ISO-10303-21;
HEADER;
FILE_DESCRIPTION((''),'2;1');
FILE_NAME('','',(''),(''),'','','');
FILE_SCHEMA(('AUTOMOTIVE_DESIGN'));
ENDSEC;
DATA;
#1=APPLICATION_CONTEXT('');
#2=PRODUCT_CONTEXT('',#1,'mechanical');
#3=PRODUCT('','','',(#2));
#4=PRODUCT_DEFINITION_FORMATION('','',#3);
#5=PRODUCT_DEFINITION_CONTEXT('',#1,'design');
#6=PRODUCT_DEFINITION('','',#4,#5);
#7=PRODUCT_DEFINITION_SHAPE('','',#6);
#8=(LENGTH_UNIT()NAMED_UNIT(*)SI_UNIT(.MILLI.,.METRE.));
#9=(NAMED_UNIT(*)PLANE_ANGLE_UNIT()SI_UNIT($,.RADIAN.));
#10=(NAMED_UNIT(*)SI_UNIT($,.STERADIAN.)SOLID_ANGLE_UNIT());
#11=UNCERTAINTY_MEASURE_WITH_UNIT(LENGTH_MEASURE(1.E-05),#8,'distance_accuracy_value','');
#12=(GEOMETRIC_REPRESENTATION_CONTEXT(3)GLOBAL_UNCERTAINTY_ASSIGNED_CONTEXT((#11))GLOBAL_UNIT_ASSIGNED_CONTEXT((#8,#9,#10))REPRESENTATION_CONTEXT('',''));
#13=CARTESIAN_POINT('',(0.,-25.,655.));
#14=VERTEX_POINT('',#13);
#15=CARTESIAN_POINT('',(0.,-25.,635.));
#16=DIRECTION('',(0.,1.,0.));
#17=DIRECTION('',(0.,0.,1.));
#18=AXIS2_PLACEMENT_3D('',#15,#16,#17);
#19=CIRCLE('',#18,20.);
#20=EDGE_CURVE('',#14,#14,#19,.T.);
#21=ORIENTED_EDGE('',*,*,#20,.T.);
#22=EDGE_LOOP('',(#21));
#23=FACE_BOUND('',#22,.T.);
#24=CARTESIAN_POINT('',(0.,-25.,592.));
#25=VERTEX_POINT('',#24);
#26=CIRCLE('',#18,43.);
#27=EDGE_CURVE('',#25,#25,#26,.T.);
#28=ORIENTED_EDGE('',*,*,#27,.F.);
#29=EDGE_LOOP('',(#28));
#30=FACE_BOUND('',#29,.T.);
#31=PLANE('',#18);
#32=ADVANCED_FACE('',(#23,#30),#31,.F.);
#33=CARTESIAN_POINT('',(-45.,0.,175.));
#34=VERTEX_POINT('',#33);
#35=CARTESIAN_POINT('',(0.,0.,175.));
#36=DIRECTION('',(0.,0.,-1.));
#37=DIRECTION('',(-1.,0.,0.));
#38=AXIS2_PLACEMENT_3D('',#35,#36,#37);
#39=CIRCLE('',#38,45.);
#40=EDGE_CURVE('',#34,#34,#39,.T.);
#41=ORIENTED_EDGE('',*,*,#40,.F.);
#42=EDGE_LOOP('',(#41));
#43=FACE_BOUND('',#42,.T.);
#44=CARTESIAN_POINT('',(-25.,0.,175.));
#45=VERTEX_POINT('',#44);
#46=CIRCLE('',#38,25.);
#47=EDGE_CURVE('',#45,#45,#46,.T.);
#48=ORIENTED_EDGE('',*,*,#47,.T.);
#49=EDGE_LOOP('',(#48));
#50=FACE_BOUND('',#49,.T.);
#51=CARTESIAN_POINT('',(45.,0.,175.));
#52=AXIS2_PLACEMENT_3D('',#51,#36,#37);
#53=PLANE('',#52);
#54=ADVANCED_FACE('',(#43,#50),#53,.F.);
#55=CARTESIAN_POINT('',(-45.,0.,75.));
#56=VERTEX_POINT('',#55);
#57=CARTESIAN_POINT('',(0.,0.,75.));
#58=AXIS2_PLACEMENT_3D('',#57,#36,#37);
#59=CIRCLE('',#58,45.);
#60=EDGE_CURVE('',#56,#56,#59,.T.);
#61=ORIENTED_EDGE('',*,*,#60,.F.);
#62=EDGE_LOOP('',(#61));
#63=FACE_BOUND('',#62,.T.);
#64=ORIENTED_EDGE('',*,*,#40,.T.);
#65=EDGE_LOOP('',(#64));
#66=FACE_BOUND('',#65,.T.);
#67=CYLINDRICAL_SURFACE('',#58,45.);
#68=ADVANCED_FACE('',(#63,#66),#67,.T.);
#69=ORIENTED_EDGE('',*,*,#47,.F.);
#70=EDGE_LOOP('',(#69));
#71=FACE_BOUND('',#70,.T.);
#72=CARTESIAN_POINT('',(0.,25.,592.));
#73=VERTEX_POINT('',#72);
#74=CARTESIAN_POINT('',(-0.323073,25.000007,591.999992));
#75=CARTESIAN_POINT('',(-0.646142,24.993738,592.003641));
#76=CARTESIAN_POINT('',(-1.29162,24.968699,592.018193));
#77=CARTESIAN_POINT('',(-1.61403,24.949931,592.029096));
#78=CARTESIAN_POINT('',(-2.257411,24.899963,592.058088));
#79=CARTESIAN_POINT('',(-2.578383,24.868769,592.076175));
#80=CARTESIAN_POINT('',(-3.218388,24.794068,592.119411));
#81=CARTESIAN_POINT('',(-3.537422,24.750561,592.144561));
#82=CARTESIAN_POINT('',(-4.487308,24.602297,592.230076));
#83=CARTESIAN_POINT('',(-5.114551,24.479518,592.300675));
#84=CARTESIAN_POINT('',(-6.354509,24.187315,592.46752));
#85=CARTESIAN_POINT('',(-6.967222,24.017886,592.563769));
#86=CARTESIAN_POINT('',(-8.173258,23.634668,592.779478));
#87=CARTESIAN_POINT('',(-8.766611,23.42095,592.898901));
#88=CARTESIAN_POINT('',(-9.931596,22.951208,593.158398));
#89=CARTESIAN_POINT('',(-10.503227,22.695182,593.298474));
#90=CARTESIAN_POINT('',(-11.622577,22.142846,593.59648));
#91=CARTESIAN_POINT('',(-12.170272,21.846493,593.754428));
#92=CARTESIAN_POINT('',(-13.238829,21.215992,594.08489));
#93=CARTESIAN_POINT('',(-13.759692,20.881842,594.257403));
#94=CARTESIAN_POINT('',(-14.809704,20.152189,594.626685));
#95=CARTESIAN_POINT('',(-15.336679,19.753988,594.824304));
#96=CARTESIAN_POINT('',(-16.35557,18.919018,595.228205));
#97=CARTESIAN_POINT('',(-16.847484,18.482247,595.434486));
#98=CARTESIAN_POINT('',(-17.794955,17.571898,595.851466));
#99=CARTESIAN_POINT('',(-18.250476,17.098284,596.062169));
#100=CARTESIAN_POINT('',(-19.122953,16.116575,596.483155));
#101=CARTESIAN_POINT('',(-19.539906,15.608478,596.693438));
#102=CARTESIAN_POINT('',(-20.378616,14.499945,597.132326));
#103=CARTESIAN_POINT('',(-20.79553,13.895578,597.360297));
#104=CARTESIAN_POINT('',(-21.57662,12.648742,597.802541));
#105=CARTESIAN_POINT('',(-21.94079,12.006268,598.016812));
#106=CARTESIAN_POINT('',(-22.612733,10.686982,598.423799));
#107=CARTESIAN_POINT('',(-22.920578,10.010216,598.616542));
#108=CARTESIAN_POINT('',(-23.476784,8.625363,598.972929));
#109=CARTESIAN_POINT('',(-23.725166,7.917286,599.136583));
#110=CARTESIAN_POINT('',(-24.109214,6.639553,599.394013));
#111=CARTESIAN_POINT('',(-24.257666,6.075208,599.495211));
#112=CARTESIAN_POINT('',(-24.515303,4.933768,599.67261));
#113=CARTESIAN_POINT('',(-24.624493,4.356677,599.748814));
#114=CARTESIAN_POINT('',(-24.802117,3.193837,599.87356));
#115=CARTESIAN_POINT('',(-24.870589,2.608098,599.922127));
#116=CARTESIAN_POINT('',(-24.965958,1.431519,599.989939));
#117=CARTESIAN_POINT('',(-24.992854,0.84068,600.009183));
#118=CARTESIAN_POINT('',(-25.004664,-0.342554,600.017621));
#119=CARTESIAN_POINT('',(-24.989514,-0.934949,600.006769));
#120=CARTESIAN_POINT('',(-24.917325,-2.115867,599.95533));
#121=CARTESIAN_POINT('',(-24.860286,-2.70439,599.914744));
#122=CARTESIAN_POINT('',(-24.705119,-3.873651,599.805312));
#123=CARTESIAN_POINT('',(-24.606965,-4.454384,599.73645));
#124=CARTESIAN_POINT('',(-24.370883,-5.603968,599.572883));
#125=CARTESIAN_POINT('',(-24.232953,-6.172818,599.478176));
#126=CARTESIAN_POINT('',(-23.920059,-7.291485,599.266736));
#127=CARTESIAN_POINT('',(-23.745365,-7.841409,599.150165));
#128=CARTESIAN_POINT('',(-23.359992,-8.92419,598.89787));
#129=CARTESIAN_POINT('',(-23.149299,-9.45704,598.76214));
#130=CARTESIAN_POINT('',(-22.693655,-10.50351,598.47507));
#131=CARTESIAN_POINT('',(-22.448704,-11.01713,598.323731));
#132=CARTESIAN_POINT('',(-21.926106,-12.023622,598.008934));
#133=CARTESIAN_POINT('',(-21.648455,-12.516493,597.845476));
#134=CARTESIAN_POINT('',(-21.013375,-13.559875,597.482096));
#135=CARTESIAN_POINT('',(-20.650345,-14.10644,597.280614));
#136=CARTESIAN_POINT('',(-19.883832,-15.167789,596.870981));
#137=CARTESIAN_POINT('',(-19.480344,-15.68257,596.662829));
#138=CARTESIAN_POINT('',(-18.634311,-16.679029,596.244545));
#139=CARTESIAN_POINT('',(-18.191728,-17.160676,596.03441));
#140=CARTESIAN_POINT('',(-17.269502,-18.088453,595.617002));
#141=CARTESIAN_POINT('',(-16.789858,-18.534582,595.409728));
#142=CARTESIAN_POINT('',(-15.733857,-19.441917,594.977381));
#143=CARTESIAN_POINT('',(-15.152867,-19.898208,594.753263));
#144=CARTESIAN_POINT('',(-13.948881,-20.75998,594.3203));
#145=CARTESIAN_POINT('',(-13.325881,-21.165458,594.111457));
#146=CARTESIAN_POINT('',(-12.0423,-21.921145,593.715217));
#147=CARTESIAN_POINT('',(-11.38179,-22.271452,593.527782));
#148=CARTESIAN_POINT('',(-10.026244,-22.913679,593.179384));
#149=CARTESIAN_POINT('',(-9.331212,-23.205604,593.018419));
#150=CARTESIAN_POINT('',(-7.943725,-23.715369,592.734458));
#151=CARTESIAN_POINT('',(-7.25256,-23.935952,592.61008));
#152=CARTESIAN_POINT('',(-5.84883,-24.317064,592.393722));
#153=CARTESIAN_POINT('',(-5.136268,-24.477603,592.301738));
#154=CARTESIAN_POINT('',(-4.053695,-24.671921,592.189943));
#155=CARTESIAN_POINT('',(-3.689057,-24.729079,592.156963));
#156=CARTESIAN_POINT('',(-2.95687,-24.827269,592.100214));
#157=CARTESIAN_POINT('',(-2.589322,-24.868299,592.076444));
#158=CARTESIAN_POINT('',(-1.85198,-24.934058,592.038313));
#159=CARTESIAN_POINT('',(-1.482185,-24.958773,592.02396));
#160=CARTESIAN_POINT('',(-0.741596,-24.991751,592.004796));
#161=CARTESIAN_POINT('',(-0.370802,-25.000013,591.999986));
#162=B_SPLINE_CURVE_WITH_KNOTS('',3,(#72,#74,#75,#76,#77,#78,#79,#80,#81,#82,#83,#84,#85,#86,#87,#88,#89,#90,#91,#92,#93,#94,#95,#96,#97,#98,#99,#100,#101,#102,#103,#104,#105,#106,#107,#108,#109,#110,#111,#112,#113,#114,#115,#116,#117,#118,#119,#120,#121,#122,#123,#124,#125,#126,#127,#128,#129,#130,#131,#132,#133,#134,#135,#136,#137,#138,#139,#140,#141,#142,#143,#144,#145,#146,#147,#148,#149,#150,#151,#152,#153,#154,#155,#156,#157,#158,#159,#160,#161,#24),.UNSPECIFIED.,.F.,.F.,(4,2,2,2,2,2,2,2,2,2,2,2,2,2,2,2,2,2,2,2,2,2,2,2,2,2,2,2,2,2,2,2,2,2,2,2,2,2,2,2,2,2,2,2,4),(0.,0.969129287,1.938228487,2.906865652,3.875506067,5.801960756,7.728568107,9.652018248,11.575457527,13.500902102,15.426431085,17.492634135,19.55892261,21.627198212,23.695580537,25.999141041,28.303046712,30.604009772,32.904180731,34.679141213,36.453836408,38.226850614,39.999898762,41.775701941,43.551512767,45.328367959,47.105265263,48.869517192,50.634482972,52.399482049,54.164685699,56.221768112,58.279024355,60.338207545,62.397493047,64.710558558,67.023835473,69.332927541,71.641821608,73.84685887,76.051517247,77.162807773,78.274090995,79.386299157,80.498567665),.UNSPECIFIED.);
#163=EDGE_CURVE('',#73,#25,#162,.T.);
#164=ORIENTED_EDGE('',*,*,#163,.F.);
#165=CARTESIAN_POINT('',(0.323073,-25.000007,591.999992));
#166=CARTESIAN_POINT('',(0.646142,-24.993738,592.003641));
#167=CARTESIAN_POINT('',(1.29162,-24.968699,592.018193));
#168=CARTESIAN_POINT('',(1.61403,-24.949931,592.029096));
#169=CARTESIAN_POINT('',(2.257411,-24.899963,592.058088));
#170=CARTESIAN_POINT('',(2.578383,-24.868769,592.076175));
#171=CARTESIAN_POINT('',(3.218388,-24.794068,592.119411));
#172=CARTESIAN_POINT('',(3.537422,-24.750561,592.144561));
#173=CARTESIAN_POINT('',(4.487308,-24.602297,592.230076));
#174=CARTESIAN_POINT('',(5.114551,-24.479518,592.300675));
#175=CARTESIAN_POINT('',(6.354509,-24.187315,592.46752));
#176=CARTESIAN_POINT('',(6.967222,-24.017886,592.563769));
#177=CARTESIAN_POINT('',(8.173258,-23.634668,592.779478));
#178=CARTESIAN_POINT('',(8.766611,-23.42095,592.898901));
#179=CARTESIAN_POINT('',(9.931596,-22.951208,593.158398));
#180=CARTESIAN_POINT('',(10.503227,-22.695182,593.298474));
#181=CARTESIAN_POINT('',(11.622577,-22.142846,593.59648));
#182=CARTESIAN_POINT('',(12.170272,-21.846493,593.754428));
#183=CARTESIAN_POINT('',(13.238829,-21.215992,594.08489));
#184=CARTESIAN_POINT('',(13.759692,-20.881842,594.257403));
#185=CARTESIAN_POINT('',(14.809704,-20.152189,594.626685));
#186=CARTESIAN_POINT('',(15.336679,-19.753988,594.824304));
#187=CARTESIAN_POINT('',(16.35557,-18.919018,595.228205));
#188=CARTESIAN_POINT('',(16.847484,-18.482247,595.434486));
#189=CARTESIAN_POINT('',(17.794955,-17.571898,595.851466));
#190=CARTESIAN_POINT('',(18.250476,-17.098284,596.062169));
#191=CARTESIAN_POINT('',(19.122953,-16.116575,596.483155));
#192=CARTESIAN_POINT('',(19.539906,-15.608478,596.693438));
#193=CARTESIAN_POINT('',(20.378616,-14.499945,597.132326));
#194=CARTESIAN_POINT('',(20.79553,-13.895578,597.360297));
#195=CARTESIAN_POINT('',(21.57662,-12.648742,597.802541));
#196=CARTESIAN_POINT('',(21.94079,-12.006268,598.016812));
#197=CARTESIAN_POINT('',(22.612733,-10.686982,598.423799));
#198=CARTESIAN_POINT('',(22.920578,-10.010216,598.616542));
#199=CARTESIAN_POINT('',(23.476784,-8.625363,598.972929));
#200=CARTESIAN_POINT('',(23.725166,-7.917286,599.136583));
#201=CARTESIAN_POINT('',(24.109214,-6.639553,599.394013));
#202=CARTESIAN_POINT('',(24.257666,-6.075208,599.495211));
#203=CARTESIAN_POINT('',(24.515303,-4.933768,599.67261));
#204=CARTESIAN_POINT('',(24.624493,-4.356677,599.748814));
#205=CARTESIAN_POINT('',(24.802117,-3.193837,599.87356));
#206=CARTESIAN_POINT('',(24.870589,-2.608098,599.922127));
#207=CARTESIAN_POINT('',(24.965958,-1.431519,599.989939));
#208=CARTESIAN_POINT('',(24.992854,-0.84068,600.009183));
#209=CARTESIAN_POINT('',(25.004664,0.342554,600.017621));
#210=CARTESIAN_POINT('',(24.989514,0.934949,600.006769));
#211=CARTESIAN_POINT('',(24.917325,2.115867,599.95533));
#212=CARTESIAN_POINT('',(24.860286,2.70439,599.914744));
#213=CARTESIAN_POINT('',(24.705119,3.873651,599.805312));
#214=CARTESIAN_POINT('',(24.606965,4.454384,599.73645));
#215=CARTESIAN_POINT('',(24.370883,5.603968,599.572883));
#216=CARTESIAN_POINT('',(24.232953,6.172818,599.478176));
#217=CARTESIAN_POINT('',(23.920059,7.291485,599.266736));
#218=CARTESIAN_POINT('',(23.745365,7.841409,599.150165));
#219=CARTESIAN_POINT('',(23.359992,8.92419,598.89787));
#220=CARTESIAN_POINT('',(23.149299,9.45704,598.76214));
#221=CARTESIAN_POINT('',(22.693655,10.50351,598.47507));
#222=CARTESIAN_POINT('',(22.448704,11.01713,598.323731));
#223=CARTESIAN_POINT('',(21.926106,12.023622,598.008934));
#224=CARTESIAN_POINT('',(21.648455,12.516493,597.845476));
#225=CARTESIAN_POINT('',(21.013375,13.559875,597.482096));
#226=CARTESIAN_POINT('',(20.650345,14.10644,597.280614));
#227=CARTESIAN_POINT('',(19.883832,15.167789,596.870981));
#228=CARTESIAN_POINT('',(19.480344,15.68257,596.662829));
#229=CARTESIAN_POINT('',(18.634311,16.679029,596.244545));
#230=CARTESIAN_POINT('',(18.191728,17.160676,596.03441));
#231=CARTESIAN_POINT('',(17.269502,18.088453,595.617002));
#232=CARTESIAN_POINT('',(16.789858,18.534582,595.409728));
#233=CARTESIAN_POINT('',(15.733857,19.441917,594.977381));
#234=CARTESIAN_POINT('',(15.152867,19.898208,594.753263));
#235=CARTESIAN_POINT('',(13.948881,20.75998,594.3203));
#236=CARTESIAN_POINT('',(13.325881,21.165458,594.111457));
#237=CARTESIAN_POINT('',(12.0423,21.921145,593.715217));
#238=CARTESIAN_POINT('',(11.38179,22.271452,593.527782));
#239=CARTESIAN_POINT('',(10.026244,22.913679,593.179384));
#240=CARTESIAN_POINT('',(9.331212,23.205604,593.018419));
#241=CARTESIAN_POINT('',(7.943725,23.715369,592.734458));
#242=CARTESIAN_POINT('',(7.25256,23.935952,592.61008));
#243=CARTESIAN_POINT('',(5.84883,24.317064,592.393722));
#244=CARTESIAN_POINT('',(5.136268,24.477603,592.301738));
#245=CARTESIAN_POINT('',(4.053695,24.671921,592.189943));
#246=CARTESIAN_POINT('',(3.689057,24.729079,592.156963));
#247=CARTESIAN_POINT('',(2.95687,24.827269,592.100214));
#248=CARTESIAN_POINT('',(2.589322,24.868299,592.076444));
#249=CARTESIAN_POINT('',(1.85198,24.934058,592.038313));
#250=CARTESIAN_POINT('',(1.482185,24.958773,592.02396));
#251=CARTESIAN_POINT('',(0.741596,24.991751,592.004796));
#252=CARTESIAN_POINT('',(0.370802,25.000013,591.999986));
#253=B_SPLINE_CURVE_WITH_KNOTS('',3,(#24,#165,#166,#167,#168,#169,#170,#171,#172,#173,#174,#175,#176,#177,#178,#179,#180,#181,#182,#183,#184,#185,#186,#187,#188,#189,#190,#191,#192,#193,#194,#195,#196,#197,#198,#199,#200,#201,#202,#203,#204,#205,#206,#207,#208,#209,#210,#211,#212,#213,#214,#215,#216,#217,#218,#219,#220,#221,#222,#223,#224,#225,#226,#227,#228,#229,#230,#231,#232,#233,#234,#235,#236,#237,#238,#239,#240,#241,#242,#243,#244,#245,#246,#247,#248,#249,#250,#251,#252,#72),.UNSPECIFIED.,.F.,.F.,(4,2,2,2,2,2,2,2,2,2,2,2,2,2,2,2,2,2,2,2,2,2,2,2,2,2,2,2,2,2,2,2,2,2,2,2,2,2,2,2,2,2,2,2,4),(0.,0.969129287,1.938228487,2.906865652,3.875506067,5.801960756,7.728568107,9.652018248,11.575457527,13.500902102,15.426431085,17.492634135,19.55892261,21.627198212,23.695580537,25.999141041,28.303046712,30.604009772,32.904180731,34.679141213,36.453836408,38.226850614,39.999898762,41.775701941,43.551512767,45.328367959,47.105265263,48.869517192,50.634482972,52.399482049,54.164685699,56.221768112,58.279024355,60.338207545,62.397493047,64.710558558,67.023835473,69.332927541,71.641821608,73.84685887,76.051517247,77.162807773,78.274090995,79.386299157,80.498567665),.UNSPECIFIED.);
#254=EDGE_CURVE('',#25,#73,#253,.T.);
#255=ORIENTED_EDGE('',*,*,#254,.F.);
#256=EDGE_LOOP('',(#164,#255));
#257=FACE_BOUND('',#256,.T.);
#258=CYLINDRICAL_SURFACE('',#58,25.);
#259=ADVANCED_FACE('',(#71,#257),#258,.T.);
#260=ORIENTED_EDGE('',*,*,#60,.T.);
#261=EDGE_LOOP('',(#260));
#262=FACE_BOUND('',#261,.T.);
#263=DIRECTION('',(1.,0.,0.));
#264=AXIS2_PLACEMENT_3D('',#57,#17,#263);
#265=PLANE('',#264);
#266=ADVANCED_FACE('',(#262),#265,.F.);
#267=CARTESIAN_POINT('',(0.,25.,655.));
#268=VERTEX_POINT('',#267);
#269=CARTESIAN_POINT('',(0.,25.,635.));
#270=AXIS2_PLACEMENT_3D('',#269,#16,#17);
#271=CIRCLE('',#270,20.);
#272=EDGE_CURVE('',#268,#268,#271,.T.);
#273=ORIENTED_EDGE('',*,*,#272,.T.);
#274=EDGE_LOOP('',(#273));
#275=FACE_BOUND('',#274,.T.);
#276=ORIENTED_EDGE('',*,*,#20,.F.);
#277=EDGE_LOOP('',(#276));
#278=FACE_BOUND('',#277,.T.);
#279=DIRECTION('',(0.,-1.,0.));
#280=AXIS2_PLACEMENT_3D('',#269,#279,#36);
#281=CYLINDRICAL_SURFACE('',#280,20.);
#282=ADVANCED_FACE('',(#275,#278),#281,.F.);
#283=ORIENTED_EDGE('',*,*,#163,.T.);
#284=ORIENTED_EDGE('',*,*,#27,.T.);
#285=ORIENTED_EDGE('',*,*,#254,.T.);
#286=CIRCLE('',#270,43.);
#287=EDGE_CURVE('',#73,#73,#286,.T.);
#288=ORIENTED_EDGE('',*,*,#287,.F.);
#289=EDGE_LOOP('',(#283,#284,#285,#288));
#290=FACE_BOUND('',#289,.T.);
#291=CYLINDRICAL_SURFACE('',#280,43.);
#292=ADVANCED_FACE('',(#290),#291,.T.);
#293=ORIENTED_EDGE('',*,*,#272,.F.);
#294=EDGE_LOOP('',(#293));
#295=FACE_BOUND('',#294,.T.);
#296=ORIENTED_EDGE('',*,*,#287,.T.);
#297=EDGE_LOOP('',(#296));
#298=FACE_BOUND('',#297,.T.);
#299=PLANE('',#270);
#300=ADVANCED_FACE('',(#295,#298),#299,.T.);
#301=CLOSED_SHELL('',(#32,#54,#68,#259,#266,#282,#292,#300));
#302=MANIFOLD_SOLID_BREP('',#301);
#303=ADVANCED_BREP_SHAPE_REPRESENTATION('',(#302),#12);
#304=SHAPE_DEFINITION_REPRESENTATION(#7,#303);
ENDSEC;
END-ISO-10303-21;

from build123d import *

# Parameters (mm, degrees)
SKETCH3_R           = 43
SKETCH3_R_2         = 20
BOSS_EXTRUDE1_DEPTH = 25


with BuildPart() as part:
    # Sketch1 → Revolve1 (revolve)
    with BuildSketch(Plane(origin=(0, 0, 0), x_dir=(1, 0, 0), z_dir=(0, 1, 0))):
        Polygon((0, -75), (45, -75), (45, -175), (25, -175), (25, -600.014288631), (0, -600.014288631), align=None)
    revolve(axis=Axis((0, 0, 75), (0, 0, 1)))

    # Sketch3 → Boss-Extrude1 (add, symmetric)
    with BuildSketch(Plane(origin=(0, 0, 0), x_dir=(1, 0, 0), z_dir=(0, 1, 0))):
        with Locations((0, -635)):
            Circle(SKETCH3_R)
        with Locations((0, -635)):
            Circle(SKETCH3_R_2, mode=Mode.SUBTRACT)
    extrude(amount=BOSS_EXTRUDE1_DEPTH, both=True)


solid = part.part
